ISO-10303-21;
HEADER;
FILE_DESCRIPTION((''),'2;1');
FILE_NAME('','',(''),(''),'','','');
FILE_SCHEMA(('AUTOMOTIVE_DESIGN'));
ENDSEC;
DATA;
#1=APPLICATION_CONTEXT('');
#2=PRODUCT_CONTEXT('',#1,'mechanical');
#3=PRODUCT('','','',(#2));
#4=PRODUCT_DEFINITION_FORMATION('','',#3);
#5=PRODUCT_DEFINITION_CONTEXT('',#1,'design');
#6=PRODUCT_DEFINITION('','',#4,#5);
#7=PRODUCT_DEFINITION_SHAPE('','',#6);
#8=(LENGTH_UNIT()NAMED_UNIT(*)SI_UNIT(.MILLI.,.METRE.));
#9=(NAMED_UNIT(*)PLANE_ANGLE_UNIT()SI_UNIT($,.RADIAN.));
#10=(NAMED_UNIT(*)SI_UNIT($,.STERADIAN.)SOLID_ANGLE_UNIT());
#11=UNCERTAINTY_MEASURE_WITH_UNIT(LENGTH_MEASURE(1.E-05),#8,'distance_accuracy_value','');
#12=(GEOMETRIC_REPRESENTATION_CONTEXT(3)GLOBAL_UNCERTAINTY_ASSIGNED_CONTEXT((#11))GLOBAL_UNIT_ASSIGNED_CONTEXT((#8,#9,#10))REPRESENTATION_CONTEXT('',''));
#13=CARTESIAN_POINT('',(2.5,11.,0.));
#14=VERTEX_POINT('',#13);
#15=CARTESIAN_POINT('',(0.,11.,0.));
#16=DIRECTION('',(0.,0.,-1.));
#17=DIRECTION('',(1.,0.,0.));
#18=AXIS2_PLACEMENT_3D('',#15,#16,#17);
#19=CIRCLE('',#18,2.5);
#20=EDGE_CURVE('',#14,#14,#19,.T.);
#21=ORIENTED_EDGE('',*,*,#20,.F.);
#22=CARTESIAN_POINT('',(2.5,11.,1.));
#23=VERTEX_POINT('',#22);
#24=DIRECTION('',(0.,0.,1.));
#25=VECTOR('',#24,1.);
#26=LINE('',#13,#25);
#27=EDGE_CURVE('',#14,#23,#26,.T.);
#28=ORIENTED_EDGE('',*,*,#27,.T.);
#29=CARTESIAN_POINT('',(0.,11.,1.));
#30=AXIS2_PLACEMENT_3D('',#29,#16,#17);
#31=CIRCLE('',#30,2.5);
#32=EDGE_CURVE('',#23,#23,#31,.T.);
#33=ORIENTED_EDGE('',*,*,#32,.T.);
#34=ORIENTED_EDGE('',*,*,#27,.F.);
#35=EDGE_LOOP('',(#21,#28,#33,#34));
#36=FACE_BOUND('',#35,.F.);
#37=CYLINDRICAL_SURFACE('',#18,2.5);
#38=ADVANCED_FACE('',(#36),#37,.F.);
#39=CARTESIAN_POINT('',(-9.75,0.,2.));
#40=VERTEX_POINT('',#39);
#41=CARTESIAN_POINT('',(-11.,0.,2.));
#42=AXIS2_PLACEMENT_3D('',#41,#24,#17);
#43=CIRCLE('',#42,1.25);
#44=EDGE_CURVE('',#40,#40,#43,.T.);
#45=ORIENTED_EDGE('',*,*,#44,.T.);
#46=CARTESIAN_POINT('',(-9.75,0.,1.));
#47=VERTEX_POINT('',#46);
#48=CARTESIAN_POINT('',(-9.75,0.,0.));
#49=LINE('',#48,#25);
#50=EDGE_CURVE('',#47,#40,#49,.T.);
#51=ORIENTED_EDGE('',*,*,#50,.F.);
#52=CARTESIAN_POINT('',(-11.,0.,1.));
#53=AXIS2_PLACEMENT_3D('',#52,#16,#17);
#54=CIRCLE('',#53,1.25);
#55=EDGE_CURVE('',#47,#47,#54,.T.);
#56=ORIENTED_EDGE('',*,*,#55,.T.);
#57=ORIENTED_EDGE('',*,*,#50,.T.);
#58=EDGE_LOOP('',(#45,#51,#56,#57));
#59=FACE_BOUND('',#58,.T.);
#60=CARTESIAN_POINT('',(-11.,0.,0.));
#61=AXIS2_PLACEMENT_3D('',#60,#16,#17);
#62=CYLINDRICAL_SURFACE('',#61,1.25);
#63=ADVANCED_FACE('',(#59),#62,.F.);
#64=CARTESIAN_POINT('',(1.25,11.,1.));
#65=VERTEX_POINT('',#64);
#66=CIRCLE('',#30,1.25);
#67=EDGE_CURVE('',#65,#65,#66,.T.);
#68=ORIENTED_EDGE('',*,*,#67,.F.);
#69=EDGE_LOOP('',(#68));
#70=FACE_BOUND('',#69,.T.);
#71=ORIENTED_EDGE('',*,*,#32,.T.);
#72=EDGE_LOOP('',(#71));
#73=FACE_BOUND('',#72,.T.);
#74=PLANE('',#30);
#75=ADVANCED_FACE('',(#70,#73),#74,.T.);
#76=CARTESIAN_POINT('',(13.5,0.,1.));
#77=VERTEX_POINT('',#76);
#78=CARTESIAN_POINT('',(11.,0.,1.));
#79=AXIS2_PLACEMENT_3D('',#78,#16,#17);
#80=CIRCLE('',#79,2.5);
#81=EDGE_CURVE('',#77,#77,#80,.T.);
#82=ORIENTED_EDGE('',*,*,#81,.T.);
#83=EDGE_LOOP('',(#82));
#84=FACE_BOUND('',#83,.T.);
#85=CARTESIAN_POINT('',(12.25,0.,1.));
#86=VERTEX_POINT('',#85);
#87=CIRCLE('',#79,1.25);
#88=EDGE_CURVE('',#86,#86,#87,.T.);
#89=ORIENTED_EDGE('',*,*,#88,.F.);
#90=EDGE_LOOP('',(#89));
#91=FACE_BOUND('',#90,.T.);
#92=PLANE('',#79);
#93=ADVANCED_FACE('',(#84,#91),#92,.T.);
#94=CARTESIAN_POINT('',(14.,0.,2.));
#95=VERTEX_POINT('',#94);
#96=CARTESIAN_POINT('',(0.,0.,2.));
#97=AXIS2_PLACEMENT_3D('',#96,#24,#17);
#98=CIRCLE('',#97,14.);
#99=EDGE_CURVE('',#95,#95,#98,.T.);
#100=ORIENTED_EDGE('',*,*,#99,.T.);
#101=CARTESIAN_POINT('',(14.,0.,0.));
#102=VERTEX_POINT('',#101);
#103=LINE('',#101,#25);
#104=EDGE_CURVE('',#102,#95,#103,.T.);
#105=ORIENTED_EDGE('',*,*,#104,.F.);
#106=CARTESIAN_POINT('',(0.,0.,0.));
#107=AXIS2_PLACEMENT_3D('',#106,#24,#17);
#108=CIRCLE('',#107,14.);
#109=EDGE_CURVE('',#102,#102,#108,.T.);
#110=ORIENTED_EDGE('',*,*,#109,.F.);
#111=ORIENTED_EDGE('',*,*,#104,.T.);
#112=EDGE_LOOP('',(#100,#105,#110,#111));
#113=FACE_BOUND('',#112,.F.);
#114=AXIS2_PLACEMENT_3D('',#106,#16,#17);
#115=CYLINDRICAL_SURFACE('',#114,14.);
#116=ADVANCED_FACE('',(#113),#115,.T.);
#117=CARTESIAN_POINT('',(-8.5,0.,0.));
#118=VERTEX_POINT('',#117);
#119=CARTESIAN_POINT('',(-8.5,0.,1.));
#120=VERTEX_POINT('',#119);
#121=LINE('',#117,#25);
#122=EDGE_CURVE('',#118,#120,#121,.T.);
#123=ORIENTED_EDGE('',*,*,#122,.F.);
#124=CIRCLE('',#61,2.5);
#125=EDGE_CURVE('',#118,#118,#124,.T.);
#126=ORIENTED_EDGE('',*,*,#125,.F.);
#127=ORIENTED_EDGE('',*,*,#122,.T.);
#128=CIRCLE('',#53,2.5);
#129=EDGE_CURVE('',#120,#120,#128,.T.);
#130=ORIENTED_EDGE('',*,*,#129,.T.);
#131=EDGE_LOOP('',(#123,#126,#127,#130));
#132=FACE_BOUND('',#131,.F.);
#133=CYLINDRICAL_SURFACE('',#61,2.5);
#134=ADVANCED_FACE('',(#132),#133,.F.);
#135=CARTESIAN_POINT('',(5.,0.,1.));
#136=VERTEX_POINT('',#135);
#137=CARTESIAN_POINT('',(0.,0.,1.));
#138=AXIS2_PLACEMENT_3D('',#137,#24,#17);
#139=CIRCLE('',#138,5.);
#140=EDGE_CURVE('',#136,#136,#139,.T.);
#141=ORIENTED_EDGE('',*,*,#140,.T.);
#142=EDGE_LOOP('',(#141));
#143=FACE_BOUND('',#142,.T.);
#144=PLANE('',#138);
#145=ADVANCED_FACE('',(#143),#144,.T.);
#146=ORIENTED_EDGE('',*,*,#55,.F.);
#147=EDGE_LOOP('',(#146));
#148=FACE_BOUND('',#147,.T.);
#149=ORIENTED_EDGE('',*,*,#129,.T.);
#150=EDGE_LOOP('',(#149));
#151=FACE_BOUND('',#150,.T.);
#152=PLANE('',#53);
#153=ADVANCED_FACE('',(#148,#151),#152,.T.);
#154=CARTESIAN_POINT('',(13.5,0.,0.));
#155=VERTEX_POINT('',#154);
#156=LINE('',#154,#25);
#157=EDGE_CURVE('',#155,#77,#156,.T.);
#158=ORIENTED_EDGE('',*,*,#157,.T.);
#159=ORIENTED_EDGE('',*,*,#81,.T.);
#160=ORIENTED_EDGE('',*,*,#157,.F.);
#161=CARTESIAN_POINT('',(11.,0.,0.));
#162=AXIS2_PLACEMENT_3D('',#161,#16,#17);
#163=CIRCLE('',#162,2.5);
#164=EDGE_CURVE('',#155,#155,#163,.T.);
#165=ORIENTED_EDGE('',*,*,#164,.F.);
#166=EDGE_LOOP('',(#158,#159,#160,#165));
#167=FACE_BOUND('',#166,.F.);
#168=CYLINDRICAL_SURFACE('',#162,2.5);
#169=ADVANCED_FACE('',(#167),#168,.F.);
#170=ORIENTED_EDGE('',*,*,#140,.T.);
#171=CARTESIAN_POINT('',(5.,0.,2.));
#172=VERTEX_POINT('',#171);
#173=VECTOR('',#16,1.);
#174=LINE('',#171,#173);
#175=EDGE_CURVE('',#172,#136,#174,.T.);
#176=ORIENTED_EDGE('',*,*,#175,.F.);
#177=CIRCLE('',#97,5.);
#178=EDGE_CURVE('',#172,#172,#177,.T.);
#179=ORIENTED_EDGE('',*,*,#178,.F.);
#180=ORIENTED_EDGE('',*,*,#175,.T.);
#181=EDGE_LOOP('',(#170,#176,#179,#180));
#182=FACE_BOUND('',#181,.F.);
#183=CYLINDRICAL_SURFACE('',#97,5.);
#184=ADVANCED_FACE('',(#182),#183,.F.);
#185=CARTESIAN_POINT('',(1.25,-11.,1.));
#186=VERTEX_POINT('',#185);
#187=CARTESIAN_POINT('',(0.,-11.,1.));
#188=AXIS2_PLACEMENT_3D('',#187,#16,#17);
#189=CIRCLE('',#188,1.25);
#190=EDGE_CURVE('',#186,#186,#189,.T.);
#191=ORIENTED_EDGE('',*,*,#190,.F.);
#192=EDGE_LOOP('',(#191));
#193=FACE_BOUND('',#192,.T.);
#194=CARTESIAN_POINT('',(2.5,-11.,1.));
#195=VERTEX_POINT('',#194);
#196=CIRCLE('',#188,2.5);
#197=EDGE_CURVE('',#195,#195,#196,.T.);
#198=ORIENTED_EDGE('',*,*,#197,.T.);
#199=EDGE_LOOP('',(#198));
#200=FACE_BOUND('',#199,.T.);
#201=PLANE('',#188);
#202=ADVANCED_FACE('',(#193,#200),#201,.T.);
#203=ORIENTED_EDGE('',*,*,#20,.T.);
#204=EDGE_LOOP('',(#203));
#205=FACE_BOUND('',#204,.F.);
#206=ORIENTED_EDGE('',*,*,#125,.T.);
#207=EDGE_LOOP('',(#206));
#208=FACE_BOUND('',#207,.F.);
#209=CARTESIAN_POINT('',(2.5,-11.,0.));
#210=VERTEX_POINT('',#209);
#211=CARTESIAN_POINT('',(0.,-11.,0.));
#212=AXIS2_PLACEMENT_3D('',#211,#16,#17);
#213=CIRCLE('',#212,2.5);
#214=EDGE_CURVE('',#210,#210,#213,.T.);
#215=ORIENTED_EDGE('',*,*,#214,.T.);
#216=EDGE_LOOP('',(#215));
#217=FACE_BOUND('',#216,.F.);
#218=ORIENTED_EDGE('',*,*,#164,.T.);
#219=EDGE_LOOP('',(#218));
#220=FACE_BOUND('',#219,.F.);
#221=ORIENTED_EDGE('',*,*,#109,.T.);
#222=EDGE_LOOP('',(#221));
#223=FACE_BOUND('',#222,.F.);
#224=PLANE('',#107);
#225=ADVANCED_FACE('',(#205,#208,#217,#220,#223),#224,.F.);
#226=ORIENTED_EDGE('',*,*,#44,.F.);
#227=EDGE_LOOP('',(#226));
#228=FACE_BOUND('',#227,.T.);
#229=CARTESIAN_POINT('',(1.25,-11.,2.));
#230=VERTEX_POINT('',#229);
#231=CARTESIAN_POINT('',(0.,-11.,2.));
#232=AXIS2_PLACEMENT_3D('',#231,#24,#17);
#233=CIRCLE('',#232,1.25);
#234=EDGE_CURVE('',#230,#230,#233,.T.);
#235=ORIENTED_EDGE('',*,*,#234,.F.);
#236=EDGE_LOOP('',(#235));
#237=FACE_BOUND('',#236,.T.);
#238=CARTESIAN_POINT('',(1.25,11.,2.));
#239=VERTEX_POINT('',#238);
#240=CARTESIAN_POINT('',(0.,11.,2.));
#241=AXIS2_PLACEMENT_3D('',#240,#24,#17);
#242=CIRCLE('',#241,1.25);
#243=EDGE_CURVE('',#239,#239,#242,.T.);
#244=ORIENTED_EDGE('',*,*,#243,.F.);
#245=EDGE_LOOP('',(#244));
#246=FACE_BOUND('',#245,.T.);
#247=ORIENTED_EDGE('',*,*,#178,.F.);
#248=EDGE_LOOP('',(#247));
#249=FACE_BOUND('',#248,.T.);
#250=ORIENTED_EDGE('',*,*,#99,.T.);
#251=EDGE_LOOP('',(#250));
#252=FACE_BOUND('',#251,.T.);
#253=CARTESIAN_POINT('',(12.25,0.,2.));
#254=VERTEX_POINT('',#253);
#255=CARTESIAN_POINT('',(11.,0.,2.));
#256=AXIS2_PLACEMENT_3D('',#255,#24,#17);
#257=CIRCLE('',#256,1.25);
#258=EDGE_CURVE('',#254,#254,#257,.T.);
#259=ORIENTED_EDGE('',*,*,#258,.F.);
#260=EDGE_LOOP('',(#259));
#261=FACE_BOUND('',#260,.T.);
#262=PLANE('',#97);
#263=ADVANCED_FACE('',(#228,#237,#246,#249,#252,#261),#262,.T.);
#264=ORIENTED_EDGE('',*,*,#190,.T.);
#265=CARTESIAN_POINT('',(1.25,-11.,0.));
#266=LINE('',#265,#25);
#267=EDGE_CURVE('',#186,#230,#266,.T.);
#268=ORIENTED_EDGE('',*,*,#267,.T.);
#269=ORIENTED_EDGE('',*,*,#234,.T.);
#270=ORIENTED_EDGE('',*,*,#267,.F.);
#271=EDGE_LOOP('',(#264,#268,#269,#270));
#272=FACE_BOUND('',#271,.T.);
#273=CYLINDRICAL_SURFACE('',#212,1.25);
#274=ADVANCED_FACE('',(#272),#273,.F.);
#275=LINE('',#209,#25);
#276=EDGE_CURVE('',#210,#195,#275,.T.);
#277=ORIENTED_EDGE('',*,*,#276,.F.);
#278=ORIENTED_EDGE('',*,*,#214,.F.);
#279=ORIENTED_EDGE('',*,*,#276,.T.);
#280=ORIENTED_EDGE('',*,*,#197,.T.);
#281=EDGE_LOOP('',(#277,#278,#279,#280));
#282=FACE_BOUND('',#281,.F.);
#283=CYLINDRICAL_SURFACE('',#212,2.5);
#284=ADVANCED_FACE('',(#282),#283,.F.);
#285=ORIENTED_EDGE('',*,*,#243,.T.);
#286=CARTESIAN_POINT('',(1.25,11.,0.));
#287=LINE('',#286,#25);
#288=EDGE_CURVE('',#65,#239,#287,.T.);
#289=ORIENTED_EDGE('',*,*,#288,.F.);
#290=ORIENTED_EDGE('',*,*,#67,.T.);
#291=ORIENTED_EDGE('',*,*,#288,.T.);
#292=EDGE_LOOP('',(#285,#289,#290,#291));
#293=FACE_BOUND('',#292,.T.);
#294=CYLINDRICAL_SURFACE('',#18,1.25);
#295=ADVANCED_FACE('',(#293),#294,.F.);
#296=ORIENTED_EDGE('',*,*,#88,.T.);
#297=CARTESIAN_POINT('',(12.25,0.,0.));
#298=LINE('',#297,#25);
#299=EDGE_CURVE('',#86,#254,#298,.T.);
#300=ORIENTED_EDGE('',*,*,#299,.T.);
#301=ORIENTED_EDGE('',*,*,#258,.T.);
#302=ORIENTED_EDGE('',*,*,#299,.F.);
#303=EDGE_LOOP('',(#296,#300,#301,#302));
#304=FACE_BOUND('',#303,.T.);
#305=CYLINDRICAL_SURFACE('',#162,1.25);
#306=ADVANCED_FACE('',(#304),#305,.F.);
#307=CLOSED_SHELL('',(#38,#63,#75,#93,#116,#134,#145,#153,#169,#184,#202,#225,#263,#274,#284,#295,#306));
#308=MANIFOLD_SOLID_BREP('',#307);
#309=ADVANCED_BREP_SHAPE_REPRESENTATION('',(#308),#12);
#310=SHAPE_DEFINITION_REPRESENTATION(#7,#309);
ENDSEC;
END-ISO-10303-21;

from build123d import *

# Parameters (mm, degrees)
SKETCH_R        = 14
SKETCH_R_2      = 1.25
PAD_DEPTH       = 2
SKETCH001_R     = 5
POCKET_DEPTH    = 1
SKETCH002_R     = 2.5
POCKET001_DEPTH = 1


with BuildPart() as part:
    # Sketch → Pad (new body)
    with BuildSketch(Plane.XY):
        Circle(SKETCH_R)
        with Locations((0, 11)):
            Circle(SKETCH_R_2, mode=Mode.SUBTRACT)
        with Locations((-11, 0)):
            Circle(SKETCH_R_2, mode=Mode.SUBTRACT)
        with Locations((0, -11)):
            Circle(SKETCH_R_2, mode=Mode.SUBTRACT)
        with Locations((11, 0)):
            Circle(SKETCH_R_2, mode=Mode.SUBTRACT)
    extrude(amount=PAD_DEPTH)

    # Sketch001 (on Face7 of Pad) → Pocket (cut)
    with BuildSketch(Plane.XY.offset(2)):
        Circle(SKETCH001_R)
    extrude(amount=-POCKET_DEPTH, mode=Mode.SUBTRACT)

    # Sketch002 (on Face2 of Pocket) → Pocket001 (cut)
    with BuildSketch(Plane(origin=(0, 0, 0), x_dir=(1, 0, 0), z_dir=(0, 0, -1))):
        with Locations((0, 11)):
            Circle(SKETCH002_R)
        with Locations((11, 0)):
            Circle(SKETCH002_R)
        with Locations((-11, 0)):
            Circle(SKETCH002_R)
        with Locations((0, -11)):
            Circle(SKETCH002_R)
    extrude(amount=-POCKET001_DEPTH, mode=Mode.SUBTRACT)


solid = part.part
